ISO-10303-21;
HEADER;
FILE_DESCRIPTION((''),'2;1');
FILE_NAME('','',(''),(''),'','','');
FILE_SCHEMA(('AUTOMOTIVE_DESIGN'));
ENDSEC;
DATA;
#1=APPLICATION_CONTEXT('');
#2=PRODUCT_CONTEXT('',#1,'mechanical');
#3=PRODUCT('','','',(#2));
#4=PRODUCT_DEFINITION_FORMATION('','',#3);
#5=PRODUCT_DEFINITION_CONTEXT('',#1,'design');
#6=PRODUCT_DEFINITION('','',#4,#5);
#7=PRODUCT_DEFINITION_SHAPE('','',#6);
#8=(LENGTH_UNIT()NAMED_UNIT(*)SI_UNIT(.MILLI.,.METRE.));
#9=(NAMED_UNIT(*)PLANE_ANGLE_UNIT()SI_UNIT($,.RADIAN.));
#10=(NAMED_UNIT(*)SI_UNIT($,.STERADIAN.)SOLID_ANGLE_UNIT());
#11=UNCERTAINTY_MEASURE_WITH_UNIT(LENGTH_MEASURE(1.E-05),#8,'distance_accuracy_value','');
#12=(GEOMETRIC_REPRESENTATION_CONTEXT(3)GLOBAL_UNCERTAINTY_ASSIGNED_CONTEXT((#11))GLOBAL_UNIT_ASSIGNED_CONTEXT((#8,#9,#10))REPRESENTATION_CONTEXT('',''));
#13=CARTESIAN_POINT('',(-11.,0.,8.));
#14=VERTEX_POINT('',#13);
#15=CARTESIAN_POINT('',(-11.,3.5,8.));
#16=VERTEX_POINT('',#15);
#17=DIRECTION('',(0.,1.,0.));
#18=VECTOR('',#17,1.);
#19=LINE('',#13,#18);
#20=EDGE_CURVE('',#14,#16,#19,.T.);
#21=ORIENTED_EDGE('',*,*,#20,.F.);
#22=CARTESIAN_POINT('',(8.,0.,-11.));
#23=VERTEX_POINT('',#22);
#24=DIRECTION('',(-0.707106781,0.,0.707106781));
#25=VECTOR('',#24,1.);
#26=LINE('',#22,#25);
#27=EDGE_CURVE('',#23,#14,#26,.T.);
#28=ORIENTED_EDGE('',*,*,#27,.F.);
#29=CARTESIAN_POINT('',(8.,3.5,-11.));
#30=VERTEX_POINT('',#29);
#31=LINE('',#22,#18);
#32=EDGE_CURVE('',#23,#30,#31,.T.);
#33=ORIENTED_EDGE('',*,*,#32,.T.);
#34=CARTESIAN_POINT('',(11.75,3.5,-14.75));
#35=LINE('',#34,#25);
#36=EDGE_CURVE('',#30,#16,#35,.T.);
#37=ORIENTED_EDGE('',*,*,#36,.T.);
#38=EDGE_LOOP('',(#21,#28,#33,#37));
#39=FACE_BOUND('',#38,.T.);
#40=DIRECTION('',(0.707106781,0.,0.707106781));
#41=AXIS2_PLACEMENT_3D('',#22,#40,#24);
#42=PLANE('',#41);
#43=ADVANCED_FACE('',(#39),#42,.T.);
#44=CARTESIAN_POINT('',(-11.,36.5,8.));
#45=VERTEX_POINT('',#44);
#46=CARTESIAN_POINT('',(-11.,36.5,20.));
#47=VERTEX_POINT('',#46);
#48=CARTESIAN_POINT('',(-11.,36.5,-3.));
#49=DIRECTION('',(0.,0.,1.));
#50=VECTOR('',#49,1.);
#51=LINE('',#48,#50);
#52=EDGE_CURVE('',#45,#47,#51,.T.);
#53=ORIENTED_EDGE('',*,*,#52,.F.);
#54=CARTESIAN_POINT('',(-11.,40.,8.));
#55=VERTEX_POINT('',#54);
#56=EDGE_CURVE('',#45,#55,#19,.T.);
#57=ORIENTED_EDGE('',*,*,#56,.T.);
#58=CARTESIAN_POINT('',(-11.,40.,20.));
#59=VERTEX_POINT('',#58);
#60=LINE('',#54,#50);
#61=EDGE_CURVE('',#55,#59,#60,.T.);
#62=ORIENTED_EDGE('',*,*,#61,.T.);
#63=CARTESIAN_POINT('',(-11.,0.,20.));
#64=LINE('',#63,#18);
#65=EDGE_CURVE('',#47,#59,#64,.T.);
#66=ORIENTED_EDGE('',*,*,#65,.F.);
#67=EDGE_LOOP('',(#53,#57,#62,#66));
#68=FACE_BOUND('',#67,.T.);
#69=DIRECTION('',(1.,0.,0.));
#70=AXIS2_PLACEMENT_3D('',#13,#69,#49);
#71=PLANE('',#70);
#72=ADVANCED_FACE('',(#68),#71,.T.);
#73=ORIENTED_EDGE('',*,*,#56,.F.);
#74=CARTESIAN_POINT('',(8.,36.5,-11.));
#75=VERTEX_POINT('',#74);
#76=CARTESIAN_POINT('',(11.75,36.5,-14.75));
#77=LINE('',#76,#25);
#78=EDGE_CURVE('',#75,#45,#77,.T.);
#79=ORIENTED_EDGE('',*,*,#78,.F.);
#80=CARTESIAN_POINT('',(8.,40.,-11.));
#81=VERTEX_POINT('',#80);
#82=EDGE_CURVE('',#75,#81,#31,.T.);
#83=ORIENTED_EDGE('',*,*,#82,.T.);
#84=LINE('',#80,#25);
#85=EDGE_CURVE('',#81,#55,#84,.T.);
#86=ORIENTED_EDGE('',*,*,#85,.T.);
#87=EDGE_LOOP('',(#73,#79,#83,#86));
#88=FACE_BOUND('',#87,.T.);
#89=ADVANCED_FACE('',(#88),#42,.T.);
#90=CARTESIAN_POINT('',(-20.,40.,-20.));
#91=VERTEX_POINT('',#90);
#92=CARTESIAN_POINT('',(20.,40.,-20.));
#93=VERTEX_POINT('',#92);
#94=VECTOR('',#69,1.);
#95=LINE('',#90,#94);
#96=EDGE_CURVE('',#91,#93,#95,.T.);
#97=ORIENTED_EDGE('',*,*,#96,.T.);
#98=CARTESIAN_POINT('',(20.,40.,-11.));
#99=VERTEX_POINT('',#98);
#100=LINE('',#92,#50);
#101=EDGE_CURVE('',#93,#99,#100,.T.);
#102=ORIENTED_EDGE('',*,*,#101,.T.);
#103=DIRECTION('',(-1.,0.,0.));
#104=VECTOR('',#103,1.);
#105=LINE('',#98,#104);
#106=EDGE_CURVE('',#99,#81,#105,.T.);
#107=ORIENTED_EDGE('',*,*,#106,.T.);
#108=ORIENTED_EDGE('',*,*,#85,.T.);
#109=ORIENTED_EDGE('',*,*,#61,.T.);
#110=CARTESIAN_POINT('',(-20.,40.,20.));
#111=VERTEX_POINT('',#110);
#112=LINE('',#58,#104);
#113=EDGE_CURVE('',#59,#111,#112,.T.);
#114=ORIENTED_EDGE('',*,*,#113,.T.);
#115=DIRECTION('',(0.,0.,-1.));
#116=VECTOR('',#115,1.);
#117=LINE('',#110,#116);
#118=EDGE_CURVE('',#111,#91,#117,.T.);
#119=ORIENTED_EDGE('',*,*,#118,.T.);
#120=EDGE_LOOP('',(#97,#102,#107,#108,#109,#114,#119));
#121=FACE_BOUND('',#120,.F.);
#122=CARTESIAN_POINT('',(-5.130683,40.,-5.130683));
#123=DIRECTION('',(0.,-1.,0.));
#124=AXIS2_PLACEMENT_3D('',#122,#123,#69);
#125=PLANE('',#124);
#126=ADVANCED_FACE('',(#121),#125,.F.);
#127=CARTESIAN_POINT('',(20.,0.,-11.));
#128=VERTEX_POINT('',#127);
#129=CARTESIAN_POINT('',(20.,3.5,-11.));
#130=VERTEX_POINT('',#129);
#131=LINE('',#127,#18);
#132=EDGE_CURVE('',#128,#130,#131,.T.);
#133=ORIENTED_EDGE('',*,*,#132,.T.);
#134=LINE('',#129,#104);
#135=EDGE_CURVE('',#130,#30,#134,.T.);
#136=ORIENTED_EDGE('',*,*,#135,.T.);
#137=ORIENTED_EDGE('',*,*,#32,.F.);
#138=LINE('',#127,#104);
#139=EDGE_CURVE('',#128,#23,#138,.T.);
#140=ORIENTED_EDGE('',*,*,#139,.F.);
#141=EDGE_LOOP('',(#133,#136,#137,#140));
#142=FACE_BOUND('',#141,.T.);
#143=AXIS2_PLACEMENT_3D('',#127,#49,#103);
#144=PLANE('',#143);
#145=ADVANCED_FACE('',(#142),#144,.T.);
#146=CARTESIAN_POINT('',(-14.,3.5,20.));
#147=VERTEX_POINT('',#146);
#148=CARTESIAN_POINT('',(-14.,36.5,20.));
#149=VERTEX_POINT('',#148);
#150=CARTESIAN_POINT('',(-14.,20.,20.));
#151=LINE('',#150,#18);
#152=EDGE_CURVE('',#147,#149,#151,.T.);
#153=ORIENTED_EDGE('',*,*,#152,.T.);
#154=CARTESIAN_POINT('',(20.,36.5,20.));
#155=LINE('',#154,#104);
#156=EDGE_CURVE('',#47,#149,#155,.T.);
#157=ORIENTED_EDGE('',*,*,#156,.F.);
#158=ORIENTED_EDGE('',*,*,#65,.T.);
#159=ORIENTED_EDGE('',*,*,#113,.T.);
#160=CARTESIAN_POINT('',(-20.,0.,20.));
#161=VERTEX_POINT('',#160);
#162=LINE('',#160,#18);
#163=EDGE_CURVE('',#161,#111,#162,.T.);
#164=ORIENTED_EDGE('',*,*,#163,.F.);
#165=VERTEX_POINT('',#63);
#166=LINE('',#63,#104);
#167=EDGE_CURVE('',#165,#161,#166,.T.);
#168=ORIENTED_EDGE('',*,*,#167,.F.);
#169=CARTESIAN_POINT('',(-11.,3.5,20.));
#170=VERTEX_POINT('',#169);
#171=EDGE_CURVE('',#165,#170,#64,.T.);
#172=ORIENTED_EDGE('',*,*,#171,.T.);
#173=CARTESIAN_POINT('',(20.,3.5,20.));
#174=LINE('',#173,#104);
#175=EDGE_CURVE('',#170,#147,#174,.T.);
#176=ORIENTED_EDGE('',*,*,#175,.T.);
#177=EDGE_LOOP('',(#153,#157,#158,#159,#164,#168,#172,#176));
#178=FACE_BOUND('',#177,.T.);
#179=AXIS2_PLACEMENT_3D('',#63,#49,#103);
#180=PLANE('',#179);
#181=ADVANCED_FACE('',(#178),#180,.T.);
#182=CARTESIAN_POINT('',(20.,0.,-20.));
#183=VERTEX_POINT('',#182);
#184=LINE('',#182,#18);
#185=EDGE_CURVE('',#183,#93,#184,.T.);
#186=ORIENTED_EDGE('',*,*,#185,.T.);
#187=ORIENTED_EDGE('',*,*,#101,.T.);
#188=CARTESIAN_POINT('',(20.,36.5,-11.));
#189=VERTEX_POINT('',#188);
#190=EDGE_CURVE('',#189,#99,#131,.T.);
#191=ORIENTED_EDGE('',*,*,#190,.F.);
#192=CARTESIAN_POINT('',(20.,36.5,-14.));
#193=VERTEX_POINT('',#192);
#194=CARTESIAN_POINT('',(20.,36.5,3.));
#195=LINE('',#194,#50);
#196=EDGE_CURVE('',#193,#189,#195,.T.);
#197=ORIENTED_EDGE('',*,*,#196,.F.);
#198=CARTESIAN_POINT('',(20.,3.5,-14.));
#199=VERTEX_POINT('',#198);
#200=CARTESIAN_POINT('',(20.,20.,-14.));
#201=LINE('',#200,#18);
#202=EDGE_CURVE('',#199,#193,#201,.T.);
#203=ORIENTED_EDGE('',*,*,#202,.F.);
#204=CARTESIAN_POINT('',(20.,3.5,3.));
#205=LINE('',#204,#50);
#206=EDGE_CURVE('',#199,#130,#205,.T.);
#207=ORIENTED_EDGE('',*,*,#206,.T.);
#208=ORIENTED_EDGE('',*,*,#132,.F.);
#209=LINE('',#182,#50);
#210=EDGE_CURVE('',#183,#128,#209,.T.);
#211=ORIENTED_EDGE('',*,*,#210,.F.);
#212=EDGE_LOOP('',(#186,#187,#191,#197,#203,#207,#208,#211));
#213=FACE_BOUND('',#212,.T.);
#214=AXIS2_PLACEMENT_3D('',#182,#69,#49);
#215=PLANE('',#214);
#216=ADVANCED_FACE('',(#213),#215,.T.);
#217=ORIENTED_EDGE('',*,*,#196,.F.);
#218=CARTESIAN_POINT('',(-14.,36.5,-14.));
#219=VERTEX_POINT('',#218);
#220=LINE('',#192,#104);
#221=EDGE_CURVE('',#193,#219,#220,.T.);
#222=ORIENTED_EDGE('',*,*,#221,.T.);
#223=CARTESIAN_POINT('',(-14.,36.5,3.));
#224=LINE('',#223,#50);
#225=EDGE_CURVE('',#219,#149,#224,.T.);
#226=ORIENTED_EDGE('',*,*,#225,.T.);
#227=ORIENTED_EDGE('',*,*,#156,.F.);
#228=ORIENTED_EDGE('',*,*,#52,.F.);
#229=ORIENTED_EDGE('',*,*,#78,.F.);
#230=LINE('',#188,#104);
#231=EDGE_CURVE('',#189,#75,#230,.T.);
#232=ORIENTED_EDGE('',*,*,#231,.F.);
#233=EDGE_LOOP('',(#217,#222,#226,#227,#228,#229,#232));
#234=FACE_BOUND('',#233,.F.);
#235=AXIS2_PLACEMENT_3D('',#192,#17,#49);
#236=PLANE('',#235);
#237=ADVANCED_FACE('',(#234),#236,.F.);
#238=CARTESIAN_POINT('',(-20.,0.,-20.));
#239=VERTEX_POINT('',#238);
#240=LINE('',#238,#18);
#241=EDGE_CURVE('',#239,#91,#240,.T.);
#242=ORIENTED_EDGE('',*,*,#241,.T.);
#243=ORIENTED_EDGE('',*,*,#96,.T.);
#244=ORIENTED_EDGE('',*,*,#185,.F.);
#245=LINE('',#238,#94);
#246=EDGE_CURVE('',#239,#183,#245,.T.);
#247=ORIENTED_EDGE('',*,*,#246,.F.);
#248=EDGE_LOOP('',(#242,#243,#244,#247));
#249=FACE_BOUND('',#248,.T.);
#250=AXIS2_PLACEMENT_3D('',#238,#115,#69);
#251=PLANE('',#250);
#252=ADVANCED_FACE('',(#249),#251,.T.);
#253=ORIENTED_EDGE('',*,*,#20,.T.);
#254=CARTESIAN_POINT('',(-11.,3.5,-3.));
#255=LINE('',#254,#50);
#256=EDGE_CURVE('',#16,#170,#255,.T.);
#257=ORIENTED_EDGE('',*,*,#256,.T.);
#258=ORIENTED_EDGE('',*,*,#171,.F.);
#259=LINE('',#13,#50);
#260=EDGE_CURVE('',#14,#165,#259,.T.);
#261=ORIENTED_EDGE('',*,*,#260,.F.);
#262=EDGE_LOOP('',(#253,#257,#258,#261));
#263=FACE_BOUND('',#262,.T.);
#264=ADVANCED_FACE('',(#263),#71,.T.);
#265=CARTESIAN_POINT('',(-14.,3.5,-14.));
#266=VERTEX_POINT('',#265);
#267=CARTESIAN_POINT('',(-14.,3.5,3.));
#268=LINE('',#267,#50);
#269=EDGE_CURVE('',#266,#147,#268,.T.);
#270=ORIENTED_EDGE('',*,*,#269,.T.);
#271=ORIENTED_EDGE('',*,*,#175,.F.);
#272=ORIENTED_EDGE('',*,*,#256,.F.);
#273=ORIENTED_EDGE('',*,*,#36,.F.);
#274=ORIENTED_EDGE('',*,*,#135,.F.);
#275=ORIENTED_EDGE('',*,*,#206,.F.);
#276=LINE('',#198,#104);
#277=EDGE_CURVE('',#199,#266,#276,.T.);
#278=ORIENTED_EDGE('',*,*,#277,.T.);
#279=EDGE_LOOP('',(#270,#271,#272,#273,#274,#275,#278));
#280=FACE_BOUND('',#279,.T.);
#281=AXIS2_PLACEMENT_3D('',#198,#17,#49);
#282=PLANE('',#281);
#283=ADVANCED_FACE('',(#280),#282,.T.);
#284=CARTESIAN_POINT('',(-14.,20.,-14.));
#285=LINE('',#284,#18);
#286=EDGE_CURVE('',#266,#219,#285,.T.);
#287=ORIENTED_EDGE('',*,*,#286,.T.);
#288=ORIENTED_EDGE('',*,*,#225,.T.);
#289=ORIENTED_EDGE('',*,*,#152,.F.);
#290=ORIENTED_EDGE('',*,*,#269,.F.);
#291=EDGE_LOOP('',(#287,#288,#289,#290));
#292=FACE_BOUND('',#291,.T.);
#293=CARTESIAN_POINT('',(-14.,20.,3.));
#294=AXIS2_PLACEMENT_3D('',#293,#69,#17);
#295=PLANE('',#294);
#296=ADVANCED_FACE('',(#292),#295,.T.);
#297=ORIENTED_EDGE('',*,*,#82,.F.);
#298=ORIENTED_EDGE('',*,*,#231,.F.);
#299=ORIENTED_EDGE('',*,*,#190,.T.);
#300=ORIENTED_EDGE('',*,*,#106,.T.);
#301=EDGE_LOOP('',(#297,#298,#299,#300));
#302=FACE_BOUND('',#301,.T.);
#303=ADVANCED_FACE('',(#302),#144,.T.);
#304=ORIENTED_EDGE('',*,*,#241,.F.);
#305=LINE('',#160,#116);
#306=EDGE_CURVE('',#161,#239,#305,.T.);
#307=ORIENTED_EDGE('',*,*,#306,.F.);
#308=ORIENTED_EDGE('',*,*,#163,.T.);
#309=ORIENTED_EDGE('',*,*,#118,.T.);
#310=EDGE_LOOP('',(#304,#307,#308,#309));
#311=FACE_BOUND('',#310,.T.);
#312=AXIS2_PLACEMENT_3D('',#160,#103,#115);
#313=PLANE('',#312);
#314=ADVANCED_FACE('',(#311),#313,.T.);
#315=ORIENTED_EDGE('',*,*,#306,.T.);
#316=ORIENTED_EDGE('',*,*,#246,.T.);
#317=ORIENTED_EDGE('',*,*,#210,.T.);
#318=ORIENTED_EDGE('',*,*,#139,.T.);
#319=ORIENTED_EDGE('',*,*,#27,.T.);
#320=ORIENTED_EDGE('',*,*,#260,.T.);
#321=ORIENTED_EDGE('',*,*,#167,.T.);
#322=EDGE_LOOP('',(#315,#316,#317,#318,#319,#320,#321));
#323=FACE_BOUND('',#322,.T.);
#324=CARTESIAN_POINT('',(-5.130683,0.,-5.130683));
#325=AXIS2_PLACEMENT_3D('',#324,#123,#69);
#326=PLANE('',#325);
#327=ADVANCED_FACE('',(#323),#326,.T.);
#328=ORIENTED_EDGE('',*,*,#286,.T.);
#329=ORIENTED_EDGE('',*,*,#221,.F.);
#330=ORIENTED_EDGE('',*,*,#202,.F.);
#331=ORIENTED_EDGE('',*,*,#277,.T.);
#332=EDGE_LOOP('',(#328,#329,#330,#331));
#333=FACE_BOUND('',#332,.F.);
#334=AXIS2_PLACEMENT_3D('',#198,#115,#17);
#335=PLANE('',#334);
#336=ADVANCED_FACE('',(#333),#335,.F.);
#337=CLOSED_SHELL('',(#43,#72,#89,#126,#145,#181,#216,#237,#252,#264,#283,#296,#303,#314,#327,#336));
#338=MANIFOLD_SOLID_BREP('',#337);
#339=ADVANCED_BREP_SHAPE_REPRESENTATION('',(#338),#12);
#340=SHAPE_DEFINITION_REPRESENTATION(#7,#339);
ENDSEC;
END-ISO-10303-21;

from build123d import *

# Parameters (mm, degrees)
F1_DEPTH = 40
F2_W     = 33
F2_H     = 34
F3_DEPTH = 34


with BuildPart() as f1:
    # F0 (on Front) → F1 (new body)
    with BuildSketch(Plane.XZ):
        Polygon((-14, 20), (-20, 20), (-20, -20), (20, -20), (20, -14), (20, -11), (8, -11), (-11, 8), (-11, 20), align=None)
    extrude(amount=-F1_DEPTH)

    # F2 (on face) → F3 (cut)
    with BuildSketch(Plane.YZ.offset(20)):
        with Locations((20, 3)):
            Rectangle(F2_W, F2_H)
    extrude(amount=-F3_DEPTH, mode=Mode.SUBTRACT)


solid = f1.part
